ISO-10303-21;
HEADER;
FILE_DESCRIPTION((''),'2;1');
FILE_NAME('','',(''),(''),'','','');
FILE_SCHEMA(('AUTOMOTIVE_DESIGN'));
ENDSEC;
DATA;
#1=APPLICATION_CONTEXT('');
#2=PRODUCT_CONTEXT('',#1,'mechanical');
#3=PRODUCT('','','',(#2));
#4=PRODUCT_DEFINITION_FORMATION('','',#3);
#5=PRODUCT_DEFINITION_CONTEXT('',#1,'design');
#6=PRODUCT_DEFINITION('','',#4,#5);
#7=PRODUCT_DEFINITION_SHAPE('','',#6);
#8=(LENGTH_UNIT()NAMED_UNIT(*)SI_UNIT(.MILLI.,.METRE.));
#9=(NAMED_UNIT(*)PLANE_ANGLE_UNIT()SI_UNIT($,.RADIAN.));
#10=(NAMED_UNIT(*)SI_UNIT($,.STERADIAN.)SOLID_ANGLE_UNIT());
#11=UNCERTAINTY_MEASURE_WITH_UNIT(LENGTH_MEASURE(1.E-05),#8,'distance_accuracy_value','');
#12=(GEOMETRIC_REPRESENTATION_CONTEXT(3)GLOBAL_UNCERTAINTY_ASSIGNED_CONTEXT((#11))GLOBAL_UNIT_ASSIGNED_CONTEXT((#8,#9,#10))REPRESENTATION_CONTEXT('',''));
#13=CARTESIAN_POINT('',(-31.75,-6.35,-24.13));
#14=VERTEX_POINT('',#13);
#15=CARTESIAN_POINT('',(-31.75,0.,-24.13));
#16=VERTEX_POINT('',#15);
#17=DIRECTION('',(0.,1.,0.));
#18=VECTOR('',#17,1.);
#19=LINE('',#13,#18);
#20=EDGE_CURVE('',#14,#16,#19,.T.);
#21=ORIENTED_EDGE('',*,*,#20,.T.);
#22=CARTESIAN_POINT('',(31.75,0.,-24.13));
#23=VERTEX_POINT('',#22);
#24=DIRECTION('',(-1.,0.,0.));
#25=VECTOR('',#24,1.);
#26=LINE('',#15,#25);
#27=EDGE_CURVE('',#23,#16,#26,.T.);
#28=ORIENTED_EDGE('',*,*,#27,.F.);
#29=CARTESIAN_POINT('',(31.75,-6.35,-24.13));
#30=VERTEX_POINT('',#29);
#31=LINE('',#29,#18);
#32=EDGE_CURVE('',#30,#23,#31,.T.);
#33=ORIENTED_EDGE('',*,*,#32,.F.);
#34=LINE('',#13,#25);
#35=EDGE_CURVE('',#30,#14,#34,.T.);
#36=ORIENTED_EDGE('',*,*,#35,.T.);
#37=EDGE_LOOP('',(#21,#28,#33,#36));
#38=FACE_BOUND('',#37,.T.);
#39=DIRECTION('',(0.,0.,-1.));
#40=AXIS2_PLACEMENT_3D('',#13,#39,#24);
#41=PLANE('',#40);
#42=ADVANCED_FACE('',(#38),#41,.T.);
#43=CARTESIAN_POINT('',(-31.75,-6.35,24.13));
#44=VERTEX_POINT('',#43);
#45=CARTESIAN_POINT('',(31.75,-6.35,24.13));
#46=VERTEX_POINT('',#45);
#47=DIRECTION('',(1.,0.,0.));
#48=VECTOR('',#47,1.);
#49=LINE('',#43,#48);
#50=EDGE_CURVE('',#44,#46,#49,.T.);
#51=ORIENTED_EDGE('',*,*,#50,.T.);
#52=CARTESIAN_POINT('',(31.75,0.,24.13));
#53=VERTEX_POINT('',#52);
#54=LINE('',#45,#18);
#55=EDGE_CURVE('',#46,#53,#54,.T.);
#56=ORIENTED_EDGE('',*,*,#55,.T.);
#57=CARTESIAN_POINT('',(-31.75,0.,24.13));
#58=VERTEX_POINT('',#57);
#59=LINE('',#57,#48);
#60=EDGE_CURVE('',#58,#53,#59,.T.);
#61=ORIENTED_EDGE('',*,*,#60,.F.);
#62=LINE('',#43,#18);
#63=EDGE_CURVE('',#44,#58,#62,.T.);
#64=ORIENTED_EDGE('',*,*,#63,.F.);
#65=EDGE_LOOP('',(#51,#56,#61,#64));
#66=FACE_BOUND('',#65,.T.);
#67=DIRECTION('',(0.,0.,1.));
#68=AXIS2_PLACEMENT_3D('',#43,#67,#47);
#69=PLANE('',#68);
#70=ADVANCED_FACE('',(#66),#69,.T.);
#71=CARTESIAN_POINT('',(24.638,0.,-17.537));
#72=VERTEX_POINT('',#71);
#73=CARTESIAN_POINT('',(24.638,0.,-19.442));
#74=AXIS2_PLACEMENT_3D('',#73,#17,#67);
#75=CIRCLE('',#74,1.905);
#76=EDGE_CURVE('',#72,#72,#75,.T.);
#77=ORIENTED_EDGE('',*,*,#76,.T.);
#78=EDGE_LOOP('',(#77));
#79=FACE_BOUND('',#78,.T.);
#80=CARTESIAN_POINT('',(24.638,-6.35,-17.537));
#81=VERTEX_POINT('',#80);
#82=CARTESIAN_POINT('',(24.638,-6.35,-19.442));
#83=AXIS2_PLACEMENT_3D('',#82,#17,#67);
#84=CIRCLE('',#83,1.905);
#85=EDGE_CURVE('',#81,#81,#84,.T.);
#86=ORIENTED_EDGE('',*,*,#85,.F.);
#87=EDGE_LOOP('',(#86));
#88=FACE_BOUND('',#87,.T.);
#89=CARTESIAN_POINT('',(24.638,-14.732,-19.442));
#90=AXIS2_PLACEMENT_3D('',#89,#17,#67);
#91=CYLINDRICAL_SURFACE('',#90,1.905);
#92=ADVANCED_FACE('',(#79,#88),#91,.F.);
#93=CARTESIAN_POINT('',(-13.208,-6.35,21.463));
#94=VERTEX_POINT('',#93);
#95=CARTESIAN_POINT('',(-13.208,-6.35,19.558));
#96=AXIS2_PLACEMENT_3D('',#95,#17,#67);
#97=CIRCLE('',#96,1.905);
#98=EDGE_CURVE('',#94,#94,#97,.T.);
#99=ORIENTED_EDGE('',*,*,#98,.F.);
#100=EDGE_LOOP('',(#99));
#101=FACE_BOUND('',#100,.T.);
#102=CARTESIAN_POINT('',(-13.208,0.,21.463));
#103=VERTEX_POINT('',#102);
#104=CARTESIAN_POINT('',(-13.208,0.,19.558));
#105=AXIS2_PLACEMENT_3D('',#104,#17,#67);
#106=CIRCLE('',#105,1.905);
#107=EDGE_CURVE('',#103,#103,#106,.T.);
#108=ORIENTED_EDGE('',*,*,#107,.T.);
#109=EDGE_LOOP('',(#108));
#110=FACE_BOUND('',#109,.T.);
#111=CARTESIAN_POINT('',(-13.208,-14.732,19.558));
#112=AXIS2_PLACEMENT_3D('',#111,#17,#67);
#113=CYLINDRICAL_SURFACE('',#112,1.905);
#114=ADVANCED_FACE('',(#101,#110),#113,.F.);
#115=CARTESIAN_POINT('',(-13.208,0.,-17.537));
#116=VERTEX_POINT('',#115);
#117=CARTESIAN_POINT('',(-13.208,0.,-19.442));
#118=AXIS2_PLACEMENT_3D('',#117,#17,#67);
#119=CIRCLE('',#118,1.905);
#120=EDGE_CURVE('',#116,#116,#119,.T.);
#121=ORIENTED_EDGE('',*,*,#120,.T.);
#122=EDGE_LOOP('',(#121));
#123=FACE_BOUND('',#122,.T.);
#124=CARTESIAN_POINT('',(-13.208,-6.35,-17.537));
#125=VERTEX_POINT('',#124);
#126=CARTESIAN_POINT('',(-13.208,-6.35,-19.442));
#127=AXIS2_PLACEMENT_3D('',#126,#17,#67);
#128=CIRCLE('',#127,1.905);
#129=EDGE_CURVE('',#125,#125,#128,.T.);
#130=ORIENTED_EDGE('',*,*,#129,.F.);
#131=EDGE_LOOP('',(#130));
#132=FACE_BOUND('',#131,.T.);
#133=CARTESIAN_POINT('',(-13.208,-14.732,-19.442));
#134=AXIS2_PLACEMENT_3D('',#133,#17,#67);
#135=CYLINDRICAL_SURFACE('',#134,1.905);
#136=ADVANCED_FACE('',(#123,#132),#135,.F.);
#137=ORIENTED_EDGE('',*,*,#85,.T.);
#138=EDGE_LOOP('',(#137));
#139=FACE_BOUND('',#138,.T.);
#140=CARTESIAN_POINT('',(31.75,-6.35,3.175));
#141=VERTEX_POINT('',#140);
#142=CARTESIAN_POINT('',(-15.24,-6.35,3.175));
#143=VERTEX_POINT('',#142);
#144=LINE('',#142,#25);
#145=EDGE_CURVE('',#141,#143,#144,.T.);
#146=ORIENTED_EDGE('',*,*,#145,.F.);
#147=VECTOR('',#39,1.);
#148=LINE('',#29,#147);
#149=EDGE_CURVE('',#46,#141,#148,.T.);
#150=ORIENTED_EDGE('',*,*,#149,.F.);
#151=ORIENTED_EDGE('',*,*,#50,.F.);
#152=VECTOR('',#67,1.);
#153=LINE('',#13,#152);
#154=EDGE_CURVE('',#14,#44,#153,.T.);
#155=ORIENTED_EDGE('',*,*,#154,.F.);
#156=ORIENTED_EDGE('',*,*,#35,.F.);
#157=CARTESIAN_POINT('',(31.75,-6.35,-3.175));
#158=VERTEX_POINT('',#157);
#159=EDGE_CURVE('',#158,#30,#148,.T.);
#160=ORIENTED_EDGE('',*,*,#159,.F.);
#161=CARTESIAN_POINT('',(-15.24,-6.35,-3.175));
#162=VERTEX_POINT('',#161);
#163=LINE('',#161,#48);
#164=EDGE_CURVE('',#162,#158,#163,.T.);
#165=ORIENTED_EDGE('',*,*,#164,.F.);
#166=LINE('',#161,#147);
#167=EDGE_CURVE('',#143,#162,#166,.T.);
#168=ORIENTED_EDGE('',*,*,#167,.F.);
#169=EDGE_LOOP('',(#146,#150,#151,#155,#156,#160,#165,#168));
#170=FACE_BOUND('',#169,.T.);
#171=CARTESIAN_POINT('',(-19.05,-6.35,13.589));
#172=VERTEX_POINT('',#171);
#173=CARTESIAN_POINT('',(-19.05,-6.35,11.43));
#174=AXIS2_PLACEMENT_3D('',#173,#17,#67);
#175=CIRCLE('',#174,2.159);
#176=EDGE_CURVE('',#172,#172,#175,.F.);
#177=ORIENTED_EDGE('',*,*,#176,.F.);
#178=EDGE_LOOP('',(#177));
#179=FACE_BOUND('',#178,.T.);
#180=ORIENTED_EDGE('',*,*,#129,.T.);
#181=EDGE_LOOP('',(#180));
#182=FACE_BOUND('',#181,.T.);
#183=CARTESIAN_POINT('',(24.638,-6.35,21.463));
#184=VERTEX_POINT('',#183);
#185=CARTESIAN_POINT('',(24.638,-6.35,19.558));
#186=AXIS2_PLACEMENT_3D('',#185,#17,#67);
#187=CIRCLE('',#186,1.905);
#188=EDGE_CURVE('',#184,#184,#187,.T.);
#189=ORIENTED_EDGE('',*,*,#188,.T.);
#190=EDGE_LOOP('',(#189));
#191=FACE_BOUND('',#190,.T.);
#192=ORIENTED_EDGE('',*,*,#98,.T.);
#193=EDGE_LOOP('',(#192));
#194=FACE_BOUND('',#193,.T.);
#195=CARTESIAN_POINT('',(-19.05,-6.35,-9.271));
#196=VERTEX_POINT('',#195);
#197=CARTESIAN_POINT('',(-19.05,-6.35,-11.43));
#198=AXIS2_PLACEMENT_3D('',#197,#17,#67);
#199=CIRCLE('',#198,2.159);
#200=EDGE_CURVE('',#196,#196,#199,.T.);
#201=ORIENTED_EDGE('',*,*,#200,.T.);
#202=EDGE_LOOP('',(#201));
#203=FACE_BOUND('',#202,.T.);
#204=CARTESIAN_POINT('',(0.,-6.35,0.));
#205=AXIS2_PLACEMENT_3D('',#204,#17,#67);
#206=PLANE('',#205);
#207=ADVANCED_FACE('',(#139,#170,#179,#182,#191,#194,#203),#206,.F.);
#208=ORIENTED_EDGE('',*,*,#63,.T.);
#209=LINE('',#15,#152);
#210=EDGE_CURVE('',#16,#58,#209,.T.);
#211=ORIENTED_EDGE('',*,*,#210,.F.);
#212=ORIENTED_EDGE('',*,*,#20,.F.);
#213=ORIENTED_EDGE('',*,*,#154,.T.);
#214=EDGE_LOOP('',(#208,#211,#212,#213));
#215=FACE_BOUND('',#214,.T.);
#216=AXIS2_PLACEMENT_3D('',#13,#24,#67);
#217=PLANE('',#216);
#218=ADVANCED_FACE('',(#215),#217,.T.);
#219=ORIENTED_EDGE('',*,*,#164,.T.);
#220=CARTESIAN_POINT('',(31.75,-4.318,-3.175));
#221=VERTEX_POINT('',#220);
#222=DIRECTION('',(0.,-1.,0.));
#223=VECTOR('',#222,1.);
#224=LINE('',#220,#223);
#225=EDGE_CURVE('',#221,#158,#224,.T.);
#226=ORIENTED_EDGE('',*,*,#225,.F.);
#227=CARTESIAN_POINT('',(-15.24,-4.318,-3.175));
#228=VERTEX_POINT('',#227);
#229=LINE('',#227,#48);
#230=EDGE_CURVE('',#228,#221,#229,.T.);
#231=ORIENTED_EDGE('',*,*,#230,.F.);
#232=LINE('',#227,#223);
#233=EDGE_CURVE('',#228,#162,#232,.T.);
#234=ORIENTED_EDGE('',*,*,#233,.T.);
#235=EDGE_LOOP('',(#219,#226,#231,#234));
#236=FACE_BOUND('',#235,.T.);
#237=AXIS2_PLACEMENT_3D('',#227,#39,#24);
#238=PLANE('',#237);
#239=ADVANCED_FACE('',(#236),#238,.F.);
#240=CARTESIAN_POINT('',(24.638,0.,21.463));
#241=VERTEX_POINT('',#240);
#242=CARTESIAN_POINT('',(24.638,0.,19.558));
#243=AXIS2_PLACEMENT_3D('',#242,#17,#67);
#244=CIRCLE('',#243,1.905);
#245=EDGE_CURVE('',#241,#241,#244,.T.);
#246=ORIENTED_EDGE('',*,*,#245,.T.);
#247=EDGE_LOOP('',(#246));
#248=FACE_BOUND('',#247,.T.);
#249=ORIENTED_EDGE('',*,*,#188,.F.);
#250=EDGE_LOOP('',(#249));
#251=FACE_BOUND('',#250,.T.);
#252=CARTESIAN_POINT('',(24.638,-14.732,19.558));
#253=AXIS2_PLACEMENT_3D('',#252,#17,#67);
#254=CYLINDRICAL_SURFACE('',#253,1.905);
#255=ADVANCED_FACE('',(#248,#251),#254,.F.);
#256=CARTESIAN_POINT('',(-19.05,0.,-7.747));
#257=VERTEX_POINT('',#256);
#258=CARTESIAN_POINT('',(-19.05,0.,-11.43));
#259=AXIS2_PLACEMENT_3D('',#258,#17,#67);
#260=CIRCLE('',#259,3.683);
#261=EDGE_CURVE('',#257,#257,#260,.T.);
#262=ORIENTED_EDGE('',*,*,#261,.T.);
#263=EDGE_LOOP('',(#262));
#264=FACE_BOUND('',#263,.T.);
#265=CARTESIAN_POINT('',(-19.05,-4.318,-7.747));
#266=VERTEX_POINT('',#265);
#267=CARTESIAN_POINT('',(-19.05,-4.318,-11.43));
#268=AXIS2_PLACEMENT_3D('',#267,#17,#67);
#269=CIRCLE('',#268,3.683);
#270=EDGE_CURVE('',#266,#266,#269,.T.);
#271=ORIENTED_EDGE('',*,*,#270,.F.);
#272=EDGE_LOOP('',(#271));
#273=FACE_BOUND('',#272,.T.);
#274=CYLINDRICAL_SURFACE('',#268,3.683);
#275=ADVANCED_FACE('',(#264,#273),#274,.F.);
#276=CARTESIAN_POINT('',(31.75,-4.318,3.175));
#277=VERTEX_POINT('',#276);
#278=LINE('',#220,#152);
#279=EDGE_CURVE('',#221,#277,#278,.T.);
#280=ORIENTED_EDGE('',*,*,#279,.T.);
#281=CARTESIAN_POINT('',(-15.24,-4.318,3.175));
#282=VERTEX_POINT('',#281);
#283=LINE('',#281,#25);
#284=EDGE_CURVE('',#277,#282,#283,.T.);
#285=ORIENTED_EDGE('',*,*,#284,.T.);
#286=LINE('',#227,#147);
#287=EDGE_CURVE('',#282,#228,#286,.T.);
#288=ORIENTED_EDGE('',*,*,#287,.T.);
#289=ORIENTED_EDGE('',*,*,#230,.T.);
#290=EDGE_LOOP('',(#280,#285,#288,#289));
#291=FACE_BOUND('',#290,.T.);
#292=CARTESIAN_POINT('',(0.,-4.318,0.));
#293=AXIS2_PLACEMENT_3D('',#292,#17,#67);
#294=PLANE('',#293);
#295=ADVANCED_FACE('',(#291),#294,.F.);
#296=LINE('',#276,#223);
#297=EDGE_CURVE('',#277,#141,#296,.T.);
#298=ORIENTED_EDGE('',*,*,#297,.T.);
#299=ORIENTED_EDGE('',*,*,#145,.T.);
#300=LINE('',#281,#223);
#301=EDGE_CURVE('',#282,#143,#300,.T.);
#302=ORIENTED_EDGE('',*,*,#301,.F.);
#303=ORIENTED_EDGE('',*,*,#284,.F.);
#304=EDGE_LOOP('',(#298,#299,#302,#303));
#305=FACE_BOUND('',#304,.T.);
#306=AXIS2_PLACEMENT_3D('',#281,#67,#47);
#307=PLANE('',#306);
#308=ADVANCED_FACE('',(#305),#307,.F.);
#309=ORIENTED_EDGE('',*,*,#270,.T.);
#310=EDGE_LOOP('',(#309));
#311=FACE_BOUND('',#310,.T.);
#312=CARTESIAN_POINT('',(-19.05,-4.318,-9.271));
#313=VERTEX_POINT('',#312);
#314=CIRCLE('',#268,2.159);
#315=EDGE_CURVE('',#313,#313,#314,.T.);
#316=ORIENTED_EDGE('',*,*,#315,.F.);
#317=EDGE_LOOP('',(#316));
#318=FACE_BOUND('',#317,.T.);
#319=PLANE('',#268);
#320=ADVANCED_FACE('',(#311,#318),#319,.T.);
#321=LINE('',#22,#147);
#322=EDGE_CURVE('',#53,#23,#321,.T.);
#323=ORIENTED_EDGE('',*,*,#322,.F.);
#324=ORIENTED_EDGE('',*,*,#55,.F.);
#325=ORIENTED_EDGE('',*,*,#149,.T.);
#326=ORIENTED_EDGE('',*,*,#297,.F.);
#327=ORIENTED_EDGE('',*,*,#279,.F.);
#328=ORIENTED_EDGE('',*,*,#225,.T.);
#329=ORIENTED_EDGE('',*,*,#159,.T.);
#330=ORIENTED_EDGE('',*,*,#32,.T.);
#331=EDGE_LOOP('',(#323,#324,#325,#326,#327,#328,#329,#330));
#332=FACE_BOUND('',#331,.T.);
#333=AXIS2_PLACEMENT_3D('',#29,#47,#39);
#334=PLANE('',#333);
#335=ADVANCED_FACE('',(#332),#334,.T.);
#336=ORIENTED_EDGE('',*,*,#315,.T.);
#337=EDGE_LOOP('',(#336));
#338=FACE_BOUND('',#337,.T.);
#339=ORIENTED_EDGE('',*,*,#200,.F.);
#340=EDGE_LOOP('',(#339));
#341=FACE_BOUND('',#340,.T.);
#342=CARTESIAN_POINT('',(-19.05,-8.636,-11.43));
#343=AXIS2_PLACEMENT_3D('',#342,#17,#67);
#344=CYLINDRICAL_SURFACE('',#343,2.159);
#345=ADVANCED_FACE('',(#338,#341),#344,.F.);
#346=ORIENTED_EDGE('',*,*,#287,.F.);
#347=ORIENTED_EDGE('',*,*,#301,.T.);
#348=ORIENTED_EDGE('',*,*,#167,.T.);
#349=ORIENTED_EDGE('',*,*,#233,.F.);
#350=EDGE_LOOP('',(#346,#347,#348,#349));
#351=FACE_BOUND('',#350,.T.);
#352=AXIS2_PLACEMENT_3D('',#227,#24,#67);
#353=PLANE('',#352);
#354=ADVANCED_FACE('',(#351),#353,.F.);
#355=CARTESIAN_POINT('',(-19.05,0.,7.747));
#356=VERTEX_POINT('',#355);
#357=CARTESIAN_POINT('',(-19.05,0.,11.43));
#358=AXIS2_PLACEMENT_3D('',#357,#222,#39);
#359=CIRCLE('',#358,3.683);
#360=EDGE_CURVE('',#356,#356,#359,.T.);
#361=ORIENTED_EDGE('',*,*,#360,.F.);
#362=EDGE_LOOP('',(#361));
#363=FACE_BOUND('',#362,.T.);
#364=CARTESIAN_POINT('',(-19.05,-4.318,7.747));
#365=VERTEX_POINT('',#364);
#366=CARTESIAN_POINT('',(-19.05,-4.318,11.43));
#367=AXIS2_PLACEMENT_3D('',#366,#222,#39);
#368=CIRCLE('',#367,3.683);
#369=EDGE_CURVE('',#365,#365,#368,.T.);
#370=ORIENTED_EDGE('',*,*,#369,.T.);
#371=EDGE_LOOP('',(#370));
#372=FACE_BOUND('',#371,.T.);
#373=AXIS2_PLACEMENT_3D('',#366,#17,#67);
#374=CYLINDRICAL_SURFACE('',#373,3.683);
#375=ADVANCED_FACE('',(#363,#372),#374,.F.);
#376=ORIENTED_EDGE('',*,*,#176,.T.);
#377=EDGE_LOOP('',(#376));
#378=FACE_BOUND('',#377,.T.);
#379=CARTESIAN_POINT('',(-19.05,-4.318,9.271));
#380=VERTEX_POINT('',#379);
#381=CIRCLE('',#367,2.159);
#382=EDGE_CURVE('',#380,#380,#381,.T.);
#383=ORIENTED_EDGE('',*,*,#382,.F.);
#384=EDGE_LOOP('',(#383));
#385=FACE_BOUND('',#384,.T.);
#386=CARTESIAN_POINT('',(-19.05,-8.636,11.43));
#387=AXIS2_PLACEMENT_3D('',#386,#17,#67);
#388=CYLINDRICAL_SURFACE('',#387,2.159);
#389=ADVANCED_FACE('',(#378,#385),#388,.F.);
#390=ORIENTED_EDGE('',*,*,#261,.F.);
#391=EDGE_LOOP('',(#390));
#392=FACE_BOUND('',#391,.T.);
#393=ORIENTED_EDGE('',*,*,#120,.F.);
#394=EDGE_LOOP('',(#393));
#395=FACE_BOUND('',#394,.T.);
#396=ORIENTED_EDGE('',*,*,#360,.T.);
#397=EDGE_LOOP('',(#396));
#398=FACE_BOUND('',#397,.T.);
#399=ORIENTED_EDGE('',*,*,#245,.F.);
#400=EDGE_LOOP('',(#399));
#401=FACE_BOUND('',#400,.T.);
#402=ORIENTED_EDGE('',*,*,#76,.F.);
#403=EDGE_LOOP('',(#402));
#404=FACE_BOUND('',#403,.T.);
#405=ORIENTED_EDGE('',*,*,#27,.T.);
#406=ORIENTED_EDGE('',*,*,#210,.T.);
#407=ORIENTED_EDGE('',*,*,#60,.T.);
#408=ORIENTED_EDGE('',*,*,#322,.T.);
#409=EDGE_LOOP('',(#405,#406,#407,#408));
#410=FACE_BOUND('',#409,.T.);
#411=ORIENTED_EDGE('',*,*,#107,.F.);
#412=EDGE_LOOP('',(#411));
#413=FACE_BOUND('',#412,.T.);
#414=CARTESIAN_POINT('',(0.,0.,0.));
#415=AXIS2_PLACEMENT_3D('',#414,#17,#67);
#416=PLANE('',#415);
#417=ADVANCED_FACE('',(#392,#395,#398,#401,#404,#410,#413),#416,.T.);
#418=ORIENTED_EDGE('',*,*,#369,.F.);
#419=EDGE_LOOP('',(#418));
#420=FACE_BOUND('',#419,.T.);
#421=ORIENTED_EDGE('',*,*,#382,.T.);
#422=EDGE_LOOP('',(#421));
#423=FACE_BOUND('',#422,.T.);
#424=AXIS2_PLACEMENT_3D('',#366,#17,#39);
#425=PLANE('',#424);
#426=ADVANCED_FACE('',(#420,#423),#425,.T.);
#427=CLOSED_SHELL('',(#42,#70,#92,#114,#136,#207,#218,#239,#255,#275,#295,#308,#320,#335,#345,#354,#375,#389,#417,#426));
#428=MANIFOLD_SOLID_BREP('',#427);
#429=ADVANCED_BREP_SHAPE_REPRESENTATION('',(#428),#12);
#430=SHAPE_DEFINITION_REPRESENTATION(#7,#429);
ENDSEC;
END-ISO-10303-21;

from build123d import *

# Parameters (mm, degrees)
SKETCH1_W           = 63.5
SKETCH1_H           = 48.26
BOSS_EXTRUDE1_DEPTH = 6.35
SKETCH2_R           = 3.683
CUT_EXTRUDE1_DEPTH  = 4.318
SKETCH3_R           = 2.159
CUT_EXTRUDE2_DEPTH  = 4.318
SKETCH5_W           = 46.99
SKETCH5_H           = 6.35
CUT_EXTRUDE3_DEPTH  = 2.032
SKETCH4_R           = 1.905
CUT_EXTRUDE4_DEPTH  = 14.732


with BuildPart() as part:
    # Sketch1 → Boss-Extrude1 (new body)
    with BuildSketch(Plane(origin=(0, 0, 0), x_dir=(1, 0, 0), z_dir=(0, 1, 0))):
        Rectangle(SKETCH1_W, SKETCH1_H)
    extrude(amount=-BOSS_EXTRUDE1_DEPTH)

    # Sketch2 → Cut-Extrude1 (cut)
    with BuildSketch(Plane(origin=(0, 0, 0), x_dir=(1, 0, 0), z_dir=(0, 1, 0))):
        with Locations((-19.05, 11.43)):
            Circle(SKETCH2_R)
    cut_extrude1 = extrude(amount=-CUT_EXTRUDE1_DEPTH, mode=Mode.SUBTRACT)

    # Sketch3 → Cut-Extrude2 (cut)
    with BuildSketch(Plane(origin=(0, -4.318, 0), x_dir=(1, 0, 0), z_dir=(0, 1, 0))):
        with Locations((-19.05, 11.43)):
            Circle(SKETCH3_R)
    cut_extrude2 = extrude(amount=-CUT_EXTRUDE2_DEPTH, mode=Mode.SUBTRACT)

    # Sketch5 → Cut-Extrude3 (cut)
    with BuildSketch(Plane.XZ.offset(6.35)):
        with Locations((8.255, 0)):
            Rectangle(SKETCH5_W, SKETCH5_H)
    extrude(amount=-CUT_EXTRUDE3_DEPTH, mode=Mode.SUBTRACT)

    # Sketch4 → Cut-Extrude4 (cut)
    with BuildSketch(Plane(origin=(0, 0, 0), x_dir=(1, 0, 0), z_dir=(0, 1, 0))):
        with Locations((-13.208, -19.558)):
            Circle(SKETCH4_R)
        with Locations((-13.208, 19.442)):
            Circle(SKETCH4_R)
        with Locations((24.638, -19.558)):
            Circle(SKETCH4_R)
        with Locations((24.638, 19.442)):
            Circle(SKETCH4_R)
    extrude(amount=-CUT_EXTRUDE4_DEPTH, mode=Mode.SUBTRACT)

    # Mirror1: Cut-Extrude1, Cut-Extrude2 across plane
    add(cut_extrude1.mirror(Plane.XY), mode=Mode.SUBTRACT)
    add(cut_extrude2.mirror(Plane.XY), mode=Mode.SUBTRACT)


solid = part.part
